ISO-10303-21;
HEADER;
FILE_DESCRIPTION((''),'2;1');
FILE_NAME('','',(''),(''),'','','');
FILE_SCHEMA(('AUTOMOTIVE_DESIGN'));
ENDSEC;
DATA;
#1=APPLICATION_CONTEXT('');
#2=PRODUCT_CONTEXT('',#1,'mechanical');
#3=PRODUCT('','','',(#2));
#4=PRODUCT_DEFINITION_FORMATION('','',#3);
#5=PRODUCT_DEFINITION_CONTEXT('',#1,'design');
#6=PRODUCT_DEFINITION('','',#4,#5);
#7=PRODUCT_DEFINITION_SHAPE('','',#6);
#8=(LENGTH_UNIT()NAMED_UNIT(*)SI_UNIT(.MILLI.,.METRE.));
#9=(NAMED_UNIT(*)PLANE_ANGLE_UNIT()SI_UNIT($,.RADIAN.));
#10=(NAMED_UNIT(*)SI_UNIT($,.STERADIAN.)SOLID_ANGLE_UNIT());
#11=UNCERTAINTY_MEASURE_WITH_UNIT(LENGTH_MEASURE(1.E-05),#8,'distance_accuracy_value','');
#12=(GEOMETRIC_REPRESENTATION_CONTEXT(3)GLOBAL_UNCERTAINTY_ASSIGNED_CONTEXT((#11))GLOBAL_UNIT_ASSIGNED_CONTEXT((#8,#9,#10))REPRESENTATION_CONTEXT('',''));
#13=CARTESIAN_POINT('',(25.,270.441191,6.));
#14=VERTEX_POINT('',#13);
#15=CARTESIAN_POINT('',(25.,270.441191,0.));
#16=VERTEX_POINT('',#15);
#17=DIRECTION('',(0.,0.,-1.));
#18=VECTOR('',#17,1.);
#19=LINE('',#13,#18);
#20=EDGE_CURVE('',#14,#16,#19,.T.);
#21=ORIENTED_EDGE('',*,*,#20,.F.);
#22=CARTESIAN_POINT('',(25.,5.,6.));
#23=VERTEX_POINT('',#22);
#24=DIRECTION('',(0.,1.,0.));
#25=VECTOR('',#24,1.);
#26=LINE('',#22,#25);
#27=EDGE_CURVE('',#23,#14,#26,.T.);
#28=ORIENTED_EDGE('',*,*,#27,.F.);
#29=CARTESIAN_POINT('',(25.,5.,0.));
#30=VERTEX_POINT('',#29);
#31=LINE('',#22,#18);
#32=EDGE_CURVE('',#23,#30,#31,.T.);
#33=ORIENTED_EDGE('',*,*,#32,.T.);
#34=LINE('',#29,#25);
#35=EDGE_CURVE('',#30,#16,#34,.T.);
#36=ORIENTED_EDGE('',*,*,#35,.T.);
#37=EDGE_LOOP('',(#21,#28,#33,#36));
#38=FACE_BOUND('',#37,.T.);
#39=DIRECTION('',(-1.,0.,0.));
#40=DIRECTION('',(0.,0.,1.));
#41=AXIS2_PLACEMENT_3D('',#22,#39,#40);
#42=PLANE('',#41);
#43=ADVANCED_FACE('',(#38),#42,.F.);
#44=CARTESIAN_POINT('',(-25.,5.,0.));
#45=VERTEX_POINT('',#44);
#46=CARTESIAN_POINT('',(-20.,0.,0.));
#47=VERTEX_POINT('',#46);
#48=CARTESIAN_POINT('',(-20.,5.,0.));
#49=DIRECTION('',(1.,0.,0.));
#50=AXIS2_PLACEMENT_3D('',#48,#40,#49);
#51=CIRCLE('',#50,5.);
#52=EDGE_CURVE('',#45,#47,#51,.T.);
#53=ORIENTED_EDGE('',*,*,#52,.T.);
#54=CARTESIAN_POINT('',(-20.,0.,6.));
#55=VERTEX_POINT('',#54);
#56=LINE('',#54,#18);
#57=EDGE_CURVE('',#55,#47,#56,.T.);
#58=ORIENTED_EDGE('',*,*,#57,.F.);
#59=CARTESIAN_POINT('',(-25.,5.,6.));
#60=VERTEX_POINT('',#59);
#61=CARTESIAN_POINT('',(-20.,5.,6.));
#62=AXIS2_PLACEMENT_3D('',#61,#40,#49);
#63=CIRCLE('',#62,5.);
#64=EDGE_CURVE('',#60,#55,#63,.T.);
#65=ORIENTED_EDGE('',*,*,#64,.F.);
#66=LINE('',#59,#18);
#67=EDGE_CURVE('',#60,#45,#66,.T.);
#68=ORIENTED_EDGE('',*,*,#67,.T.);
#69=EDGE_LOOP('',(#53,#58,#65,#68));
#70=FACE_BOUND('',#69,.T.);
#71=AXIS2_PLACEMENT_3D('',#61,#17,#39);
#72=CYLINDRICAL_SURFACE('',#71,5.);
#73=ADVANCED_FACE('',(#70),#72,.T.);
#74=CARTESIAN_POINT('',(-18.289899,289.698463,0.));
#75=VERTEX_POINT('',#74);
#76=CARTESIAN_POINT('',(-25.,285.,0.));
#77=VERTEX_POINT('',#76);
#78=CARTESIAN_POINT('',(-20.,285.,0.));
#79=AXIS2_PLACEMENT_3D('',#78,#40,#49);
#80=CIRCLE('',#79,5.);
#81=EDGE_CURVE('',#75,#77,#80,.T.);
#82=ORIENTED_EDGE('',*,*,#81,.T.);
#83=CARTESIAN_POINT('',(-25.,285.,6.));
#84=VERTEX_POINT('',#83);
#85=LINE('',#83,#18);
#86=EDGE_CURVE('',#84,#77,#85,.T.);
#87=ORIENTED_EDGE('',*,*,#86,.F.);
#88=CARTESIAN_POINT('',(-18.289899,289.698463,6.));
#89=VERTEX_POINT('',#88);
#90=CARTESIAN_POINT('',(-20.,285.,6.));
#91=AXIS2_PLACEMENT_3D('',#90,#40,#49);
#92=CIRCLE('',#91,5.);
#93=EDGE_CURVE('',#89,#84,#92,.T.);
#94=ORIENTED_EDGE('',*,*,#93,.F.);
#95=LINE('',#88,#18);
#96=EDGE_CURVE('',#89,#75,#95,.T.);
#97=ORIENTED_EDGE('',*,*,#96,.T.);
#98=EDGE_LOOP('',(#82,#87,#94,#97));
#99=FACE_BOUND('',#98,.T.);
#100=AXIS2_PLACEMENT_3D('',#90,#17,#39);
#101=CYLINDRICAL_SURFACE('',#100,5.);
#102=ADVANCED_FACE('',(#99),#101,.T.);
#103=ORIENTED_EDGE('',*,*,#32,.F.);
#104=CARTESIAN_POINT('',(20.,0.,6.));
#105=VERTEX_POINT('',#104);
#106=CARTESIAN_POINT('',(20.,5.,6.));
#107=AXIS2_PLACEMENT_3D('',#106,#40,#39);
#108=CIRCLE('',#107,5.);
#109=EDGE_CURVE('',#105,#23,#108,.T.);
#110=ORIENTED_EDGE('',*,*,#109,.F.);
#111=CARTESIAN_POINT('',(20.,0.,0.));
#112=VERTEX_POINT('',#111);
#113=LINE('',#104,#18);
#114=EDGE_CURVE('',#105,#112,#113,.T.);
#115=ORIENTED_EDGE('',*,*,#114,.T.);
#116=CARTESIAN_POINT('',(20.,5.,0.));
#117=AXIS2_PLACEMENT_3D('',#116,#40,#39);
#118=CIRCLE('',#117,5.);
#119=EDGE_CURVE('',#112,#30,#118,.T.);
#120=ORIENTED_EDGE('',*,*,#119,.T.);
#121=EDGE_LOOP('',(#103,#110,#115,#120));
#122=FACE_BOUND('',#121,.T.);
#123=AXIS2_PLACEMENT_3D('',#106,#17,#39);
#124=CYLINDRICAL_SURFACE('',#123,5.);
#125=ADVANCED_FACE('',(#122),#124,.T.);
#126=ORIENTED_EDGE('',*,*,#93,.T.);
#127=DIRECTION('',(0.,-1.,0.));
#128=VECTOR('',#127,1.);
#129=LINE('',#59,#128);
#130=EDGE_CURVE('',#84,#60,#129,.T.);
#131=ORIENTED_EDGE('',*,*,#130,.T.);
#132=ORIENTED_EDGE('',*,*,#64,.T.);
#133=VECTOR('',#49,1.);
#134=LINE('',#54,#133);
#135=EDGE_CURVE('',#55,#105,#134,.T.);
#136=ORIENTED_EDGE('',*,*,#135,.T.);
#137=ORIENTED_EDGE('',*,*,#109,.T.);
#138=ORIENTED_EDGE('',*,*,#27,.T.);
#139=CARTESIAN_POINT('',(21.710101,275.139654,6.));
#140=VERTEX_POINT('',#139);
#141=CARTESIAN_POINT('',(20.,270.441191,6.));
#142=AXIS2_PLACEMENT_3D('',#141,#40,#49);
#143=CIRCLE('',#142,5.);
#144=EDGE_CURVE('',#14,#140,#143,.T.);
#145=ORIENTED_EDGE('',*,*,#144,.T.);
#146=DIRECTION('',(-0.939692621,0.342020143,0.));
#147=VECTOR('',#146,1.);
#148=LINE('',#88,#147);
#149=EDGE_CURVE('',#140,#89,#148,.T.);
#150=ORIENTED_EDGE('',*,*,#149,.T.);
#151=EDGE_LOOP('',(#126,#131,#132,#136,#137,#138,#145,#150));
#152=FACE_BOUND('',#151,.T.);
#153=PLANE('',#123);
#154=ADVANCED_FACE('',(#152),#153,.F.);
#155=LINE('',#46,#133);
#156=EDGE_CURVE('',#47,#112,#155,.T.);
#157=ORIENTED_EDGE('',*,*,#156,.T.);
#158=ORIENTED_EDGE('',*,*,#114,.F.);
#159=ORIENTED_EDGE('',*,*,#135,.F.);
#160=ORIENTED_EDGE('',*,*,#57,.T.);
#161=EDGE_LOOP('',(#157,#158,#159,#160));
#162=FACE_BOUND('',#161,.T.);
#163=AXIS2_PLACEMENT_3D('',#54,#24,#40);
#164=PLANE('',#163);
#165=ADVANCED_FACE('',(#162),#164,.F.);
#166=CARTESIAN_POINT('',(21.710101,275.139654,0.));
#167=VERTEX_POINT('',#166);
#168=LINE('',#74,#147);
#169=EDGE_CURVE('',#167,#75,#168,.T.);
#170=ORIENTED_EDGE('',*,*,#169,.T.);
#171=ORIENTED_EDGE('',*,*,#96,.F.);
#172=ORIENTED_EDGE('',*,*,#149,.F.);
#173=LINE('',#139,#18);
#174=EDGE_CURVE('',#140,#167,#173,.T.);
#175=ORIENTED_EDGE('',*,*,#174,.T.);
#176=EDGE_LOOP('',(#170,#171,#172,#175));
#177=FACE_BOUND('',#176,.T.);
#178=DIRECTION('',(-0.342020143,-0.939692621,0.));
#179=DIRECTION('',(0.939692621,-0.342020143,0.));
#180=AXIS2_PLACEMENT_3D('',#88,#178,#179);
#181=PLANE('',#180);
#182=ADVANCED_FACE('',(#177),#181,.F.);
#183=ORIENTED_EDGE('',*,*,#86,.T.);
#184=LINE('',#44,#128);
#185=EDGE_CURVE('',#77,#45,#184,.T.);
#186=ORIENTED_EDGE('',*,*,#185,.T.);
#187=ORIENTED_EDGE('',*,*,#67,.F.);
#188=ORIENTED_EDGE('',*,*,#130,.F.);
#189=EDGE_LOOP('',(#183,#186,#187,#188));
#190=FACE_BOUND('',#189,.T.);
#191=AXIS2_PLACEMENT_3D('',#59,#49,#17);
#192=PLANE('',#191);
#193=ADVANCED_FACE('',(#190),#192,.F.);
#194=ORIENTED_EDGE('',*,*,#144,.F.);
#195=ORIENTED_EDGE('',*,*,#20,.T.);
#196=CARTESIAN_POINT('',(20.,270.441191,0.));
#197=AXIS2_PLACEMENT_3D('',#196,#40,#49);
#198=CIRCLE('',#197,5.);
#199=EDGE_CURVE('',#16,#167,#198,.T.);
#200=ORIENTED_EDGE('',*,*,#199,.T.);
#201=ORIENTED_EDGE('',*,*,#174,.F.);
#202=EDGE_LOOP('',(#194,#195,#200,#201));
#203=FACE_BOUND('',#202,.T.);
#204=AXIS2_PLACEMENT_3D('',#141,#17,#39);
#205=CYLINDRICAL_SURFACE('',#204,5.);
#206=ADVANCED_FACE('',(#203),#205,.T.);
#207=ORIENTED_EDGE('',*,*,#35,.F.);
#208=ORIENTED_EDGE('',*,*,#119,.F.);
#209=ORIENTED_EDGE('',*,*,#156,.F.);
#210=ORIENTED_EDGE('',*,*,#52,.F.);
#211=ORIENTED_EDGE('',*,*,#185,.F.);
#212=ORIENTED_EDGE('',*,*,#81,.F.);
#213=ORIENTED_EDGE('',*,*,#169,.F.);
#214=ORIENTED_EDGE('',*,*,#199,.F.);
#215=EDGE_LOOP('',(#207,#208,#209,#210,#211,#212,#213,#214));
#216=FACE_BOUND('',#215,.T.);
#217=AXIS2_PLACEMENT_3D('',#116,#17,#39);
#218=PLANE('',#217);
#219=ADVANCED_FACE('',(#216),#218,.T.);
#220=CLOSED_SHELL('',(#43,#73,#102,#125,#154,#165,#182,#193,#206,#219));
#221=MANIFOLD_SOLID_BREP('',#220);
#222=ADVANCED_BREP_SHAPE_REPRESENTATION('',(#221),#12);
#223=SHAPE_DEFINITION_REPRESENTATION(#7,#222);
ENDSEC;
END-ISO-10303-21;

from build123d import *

# Parameters (mm, degrees)
BASE_EXTRUDE_DEPTH = 6


with BuildPart() as part:
    # Sketch1 → Base-Extrude (new body)
    with BuildSketch(Plane.XY):
        with BuildLine():
            Line((-20, 0), (20, 0))
            ThreePointArc((20, 0), (23.535533906, 1.464466094), (25, 5))
            Line((25, 5), (25, 270.441190629))
            ThreePointArc((25, 270.441190629), (24.095760221, 273.309072811), (21.710100717, 275.139653733))
            Line((21.710100717, 275.139653733), (-18.289899283, 289.698463104))
            ThreePointArc((-18.289899283, 289.698463104), (-22.867882182, 289.095760221), (-25, 285))
            Line((-25, 285), (-25, 5))
            ThreePointArc((-25, 5), (-23.535533906, 1.464466094), (-20, 0))
        make_face()
    extrude(amount=BASE_EXTRUDE_DEPTH)


solid = part.part
